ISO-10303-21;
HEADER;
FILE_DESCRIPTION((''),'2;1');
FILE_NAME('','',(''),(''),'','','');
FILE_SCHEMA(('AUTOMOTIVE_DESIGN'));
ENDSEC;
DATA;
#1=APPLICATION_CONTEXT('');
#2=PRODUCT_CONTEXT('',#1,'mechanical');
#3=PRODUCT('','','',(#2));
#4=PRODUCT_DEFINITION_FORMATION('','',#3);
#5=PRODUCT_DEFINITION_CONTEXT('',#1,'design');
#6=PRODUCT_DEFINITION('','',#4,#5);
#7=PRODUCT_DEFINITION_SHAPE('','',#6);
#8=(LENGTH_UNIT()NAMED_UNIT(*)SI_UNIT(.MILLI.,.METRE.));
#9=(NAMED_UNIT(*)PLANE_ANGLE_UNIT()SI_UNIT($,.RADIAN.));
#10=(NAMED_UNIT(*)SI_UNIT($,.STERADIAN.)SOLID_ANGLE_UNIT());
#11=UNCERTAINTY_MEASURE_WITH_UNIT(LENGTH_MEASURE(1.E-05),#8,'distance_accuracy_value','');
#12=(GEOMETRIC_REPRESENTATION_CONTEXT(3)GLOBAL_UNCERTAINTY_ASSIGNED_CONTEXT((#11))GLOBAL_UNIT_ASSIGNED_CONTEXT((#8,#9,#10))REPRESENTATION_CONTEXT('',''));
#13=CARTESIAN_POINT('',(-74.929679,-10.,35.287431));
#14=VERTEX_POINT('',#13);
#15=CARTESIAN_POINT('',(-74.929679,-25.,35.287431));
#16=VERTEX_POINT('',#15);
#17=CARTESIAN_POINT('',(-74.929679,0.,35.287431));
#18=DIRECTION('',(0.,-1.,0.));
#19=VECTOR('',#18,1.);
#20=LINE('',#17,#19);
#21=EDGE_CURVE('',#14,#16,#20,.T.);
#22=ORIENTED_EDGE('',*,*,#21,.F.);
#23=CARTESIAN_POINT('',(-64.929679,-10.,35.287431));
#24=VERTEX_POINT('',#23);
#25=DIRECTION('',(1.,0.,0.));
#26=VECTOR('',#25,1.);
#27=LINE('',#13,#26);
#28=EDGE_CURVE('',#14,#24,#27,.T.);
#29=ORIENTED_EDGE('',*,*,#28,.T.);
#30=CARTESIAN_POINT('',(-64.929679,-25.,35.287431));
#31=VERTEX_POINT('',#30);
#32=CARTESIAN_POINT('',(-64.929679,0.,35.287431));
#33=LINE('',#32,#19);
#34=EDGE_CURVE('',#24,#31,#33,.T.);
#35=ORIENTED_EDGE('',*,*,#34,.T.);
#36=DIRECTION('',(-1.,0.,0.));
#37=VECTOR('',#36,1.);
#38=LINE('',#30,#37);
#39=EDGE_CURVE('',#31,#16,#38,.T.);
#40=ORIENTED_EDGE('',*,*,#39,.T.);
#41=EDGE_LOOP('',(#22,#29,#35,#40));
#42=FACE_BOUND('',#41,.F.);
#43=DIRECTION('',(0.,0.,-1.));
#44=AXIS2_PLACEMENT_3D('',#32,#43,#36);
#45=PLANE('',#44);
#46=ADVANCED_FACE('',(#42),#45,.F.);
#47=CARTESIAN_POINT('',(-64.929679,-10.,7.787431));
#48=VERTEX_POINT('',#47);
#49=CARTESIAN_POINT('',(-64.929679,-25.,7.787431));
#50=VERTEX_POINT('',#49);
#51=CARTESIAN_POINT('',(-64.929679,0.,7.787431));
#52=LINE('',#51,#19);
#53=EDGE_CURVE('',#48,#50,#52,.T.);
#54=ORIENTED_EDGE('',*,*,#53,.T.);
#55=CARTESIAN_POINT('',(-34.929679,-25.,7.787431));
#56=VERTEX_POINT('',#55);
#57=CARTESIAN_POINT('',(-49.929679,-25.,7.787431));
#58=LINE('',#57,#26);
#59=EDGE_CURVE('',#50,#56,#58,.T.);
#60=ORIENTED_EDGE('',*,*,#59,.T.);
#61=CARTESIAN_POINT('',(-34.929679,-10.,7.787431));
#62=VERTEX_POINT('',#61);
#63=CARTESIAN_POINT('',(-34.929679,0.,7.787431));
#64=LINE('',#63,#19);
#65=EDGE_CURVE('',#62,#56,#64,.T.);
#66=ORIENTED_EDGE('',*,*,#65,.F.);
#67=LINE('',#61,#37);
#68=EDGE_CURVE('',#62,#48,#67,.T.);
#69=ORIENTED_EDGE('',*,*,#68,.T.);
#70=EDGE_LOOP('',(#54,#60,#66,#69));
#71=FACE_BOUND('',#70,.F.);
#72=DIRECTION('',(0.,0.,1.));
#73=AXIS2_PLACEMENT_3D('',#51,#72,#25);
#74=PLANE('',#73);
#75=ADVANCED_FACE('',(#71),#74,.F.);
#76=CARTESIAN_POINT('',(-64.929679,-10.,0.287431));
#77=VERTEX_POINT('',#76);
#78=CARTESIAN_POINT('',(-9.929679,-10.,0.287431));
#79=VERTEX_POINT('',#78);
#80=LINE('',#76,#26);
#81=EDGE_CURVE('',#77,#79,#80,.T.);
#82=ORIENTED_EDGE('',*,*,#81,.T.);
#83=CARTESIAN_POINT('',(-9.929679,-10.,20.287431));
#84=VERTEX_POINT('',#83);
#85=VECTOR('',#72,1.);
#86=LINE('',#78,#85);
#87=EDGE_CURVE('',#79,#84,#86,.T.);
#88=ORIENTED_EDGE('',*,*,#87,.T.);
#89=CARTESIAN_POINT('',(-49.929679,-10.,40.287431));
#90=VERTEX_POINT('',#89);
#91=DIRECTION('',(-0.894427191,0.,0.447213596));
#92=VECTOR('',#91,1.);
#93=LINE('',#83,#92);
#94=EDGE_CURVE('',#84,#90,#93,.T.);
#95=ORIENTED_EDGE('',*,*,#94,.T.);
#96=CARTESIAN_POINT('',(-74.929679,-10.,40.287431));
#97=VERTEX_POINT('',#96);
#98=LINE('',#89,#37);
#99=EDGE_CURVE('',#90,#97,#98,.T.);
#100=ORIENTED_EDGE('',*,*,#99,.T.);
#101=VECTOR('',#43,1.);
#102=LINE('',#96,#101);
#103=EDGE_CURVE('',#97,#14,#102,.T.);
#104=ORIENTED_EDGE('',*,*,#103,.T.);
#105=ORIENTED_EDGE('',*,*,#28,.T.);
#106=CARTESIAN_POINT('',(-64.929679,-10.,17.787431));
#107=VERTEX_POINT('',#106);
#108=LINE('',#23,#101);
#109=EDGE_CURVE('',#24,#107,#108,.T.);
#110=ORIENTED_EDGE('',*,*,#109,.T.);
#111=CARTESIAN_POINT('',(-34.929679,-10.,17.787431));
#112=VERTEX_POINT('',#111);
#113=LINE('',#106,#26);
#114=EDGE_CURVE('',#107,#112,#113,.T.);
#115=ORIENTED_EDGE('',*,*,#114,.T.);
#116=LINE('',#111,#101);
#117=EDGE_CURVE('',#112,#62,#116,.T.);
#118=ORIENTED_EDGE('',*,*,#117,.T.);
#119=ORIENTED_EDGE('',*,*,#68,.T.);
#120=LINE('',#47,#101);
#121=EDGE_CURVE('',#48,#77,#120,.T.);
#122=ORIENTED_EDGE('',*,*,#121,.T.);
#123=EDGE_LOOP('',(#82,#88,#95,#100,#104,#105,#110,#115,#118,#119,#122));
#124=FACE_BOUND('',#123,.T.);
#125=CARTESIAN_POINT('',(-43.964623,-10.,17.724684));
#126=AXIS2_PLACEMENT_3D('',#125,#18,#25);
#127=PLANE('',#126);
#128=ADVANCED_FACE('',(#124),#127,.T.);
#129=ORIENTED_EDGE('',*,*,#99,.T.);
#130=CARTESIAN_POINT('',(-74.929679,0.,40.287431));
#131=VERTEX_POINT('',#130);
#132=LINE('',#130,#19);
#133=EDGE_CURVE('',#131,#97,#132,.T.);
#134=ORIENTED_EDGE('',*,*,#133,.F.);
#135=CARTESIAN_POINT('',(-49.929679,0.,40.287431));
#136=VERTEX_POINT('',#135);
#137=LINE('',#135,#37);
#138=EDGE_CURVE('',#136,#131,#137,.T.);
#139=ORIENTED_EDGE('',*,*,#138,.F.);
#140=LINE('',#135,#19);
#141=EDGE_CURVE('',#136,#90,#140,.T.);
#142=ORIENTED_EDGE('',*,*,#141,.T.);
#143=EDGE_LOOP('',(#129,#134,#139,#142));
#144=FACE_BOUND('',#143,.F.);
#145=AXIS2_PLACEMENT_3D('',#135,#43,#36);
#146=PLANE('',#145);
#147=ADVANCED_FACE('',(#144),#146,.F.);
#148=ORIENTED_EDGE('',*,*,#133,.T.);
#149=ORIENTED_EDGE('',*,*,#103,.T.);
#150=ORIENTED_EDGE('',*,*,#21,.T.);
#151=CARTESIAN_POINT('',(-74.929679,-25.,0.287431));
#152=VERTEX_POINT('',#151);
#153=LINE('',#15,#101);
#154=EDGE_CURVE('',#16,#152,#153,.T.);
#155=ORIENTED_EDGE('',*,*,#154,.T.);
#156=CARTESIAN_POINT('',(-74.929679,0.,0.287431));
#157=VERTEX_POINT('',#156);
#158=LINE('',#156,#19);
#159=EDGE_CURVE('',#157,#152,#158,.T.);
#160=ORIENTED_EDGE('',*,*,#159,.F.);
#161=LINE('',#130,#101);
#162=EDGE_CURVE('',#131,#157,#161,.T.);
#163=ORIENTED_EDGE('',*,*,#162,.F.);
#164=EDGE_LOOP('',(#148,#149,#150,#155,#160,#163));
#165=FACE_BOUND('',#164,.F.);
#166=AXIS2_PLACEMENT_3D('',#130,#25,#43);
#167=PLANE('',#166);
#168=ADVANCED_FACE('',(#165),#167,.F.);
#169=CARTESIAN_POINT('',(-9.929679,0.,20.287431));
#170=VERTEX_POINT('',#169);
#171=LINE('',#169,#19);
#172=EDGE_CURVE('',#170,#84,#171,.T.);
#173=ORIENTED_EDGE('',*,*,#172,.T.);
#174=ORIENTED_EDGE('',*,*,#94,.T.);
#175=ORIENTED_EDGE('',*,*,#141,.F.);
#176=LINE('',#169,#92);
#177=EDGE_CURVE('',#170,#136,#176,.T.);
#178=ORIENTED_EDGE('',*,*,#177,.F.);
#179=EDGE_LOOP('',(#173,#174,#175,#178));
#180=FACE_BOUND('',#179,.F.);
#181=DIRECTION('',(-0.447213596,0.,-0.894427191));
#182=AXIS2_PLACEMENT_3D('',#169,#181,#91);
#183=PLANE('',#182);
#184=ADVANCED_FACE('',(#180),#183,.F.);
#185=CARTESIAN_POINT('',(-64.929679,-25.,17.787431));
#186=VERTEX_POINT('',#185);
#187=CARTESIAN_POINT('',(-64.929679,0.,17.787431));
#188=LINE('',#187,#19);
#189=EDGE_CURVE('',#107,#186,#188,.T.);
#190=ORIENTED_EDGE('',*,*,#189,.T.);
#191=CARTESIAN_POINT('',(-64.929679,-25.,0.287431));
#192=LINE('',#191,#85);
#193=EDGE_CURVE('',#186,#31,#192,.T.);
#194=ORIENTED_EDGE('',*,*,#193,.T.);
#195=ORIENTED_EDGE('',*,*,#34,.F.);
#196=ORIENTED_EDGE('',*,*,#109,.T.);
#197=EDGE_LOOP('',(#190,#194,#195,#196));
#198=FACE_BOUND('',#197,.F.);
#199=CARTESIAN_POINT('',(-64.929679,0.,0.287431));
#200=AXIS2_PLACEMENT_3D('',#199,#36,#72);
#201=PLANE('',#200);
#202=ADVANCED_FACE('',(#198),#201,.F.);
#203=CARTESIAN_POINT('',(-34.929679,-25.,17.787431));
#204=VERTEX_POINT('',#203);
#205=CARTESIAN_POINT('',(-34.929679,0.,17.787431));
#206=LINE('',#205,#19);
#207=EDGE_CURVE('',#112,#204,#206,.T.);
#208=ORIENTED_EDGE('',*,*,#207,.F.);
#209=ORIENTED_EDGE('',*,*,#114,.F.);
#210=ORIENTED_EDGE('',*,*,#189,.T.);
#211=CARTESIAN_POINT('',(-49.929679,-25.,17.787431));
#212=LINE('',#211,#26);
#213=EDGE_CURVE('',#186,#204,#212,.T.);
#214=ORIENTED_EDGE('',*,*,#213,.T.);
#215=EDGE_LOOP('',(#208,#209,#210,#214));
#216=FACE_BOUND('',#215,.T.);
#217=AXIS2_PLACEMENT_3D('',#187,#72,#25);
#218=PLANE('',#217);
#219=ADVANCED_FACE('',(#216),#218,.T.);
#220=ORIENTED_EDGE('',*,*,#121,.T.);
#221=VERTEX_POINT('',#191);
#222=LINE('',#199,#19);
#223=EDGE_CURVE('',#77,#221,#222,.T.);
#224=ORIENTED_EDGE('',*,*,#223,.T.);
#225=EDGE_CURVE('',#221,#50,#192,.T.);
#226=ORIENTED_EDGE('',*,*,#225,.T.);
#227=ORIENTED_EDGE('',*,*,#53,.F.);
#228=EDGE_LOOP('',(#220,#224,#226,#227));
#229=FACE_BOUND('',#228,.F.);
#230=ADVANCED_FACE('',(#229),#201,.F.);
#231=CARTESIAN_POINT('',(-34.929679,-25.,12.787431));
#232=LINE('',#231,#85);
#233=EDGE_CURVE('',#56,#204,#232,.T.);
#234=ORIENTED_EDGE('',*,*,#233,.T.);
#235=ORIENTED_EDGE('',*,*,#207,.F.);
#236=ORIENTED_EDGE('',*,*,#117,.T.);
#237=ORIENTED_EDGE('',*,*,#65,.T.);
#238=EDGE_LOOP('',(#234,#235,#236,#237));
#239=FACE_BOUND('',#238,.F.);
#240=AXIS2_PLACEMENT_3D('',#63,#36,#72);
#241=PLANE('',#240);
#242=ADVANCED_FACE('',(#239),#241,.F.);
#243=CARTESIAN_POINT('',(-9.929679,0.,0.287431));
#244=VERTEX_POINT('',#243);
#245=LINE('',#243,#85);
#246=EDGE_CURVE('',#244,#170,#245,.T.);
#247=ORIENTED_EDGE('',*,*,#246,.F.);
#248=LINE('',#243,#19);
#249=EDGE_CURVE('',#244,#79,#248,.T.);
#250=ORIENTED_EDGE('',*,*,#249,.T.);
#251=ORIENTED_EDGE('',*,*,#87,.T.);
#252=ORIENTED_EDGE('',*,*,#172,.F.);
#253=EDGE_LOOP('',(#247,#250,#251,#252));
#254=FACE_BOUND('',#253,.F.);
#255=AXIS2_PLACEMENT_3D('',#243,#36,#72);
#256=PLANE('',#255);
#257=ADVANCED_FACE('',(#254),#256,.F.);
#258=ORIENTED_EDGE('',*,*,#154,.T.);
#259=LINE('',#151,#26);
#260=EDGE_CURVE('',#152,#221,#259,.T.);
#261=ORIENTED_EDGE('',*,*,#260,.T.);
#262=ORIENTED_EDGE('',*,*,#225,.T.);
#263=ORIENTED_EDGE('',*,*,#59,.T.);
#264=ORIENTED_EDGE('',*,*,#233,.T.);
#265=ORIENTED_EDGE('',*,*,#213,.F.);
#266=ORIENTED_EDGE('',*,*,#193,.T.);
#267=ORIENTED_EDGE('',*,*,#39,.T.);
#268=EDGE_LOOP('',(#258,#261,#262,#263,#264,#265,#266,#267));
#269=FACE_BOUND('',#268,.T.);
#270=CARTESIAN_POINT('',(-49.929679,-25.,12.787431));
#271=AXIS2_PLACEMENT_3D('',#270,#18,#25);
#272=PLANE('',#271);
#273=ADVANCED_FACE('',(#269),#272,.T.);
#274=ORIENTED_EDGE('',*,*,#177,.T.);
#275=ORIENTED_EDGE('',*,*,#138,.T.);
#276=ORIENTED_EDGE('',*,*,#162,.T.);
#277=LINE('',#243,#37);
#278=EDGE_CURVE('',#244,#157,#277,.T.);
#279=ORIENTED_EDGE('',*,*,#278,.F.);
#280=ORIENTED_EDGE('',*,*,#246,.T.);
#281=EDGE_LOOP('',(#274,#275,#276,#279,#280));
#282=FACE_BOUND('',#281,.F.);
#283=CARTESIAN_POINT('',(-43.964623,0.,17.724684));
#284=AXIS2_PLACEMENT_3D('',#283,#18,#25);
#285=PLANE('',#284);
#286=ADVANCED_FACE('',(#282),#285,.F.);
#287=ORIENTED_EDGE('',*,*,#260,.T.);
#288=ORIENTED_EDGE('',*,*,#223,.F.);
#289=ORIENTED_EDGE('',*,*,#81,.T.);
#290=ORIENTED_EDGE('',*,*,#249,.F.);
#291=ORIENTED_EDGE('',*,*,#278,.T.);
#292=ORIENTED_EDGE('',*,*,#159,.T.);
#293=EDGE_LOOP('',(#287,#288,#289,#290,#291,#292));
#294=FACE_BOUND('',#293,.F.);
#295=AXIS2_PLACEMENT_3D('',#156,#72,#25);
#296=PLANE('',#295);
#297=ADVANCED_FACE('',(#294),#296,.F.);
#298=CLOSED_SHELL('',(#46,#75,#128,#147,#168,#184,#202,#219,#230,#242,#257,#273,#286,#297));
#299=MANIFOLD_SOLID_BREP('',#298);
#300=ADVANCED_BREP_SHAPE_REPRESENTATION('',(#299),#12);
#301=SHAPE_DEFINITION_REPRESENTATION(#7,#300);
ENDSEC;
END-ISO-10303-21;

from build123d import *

# Parameters (mm, degrees)
F1_DEPTH = 25
F2_DEPTH = 10
F0_W     = 30
F0_H     = 10
F3_DEPTH = 25


with BuildPart() as f1:
    # F0 (on Front) → F1 (new body)
    with BuildSketch(Plane.XZ):
        Polygon((-64.929679, 35.287431), (-74.929679, 35.287431), (-74.929679, 0.287431), (-64.929679, 0.287431), (-64.929679, 7.787431), (-64.929679, 17.787431), align=None)
    extrude(amount=F1_DEPTH)

    # F0 (on Front) → F2 (join)
    with BuildSketch(Plane.XZ):
        Polygon((-74.929679, 40.287431), (-74.929679, 35.287431), (-64.929679, 35.287431), (-64.929679, 17.787431), (-34.929679, 17.787431), (-34.929679, 7.787431), (-64.929679, 7.787431), (-64.929679, 0.287431), (-9.929679, 0.287431), (-9.929679, 20.287431), (-49.929679, 40.287431), align=None)
    extrude(amount=F2_DEPTH)

    # F0 (on Front) → F3 (join)
    with BuildSketch(Plane.XZ):
        with Locations((-49.929679, 12.787431)):
            Rectangle(F0_W, F0_H)
    extrude(amount=F3_DEPTH)


solid = f1.part
